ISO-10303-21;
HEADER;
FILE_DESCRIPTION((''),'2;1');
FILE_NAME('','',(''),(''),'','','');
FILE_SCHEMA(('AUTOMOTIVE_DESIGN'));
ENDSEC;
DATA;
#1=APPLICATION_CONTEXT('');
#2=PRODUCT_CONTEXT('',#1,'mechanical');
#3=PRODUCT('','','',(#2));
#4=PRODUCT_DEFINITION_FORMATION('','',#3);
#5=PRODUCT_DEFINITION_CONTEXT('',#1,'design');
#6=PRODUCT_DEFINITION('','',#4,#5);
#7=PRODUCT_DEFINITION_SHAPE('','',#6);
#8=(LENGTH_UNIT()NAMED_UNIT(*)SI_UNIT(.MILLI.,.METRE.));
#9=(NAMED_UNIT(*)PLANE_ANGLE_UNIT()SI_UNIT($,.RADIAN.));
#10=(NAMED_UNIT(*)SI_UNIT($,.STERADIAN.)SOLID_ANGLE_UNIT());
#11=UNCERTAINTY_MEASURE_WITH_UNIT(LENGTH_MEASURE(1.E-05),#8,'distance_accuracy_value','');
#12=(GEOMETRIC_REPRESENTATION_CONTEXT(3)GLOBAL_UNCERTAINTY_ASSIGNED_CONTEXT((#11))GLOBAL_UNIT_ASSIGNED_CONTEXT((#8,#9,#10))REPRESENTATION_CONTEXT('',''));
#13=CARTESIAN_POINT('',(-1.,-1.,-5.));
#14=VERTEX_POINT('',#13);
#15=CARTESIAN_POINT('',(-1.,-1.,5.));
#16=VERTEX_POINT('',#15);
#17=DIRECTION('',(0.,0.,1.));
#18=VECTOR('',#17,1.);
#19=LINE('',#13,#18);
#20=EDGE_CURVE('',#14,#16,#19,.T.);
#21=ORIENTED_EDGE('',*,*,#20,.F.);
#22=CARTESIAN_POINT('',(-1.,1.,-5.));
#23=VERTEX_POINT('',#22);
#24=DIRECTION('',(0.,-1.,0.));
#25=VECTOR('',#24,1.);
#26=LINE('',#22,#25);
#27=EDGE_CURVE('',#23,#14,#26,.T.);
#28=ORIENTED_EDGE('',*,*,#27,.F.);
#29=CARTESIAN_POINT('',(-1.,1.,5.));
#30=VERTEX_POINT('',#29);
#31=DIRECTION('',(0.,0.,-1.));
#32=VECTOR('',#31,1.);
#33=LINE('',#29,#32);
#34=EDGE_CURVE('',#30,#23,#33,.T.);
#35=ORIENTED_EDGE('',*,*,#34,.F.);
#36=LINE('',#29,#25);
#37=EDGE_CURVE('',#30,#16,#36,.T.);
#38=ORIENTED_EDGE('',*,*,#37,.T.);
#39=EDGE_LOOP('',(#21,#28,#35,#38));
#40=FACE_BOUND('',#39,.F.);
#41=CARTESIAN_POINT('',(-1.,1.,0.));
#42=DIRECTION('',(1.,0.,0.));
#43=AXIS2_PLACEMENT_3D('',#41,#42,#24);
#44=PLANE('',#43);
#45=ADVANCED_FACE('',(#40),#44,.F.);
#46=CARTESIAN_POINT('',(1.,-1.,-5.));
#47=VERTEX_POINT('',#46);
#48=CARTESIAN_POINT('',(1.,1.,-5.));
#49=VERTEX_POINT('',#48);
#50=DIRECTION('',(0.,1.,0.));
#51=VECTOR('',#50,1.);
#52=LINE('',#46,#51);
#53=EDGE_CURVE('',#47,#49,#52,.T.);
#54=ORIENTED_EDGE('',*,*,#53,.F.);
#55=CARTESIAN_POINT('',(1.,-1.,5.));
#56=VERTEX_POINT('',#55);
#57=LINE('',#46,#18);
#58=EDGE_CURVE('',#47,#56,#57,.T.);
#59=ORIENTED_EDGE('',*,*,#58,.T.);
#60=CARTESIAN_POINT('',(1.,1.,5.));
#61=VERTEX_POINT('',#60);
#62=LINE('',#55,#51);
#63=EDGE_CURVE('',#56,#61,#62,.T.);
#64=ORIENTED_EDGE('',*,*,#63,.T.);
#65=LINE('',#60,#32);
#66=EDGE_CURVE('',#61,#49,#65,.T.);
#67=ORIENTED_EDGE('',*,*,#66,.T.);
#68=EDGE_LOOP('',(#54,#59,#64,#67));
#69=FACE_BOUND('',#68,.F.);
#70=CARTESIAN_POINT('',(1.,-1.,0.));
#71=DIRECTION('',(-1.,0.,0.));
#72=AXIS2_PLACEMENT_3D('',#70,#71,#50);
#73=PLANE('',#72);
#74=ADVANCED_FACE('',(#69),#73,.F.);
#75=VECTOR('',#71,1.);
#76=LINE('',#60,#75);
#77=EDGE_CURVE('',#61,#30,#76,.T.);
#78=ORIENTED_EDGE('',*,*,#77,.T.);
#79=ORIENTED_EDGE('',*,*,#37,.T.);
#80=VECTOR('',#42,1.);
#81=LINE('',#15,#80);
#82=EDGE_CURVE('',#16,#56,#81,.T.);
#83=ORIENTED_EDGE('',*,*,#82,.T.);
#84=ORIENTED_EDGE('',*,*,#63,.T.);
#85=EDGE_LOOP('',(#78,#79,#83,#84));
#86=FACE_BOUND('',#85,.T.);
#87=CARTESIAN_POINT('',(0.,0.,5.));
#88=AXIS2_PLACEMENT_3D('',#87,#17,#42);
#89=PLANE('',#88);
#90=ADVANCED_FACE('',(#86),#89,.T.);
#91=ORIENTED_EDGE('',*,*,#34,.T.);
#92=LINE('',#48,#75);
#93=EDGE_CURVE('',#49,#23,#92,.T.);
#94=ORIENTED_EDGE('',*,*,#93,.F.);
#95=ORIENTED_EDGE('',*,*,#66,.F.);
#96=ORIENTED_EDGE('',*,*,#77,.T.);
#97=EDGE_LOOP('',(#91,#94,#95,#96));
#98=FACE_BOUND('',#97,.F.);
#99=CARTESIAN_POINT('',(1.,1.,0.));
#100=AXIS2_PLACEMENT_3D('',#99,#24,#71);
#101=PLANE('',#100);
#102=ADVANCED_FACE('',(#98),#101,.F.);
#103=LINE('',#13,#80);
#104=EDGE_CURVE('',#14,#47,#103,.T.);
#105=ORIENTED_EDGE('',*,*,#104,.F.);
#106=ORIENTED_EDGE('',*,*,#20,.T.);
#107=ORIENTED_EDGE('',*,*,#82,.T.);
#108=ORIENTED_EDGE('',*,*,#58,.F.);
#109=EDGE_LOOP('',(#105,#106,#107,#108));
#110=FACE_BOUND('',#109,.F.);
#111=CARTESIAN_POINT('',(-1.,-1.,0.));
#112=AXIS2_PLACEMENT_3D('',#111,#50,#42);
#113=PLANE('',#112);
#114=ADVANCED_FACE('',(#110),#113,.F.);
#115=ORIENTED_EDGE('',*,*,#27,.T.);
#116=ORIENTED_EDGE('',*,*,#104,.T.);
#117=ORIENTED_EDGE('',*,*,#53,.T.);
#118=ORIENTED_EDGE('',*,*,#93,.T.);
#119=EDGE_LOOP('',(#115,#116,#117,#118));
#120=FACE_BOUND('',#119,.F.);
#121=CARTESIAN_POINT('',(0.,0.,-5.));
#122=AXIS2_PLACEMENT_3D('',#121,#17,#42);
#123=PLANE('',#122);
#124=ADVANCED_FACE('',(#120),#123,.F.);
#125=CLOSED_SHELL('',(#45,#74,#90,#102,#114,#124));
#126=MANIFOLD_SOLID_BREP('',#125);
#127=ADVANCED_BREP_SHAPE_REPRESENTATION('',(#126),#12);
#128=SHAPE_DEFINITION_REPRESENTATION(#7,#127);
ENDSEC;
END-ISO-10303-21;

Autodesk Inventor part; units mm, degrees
ref_plane "YZ Plane" through (0, 0, 0) normal (1, 0, 0) x (0, 1, 0)
ref_plane "XZ Plane" through (0, 0, 0) normal (0, 1, 0) x (-1, 0, 0)
ref_plane "XY Plane" through (0, 0, 0) normal (0, 0, 1) x (1, 0, 0)
sketch "Sketch1" plane through (0, 0, 0) normal (0, 0, 1) x (1, 0, 0)
  line L0 (-1, -1) -> (1, -1)
  line L1 (1, -1) -> (1, 1)
  line L2 (1, 1) -> (-1, 1)
  line L3 (-1, 1) -> (-1, -1)
  line L4 (-1, -1) -> (1, 1) construction
  line L5 (1, -1) -> (-1, 1) construction
  point P0 (0, 0)
  dimension "d0" = 2
extrude "Extrusion1" add sketch "Sketch1" along normal mid plane 10
properties part number "COTS_KeyStock" material "Steel, Galvanized"
